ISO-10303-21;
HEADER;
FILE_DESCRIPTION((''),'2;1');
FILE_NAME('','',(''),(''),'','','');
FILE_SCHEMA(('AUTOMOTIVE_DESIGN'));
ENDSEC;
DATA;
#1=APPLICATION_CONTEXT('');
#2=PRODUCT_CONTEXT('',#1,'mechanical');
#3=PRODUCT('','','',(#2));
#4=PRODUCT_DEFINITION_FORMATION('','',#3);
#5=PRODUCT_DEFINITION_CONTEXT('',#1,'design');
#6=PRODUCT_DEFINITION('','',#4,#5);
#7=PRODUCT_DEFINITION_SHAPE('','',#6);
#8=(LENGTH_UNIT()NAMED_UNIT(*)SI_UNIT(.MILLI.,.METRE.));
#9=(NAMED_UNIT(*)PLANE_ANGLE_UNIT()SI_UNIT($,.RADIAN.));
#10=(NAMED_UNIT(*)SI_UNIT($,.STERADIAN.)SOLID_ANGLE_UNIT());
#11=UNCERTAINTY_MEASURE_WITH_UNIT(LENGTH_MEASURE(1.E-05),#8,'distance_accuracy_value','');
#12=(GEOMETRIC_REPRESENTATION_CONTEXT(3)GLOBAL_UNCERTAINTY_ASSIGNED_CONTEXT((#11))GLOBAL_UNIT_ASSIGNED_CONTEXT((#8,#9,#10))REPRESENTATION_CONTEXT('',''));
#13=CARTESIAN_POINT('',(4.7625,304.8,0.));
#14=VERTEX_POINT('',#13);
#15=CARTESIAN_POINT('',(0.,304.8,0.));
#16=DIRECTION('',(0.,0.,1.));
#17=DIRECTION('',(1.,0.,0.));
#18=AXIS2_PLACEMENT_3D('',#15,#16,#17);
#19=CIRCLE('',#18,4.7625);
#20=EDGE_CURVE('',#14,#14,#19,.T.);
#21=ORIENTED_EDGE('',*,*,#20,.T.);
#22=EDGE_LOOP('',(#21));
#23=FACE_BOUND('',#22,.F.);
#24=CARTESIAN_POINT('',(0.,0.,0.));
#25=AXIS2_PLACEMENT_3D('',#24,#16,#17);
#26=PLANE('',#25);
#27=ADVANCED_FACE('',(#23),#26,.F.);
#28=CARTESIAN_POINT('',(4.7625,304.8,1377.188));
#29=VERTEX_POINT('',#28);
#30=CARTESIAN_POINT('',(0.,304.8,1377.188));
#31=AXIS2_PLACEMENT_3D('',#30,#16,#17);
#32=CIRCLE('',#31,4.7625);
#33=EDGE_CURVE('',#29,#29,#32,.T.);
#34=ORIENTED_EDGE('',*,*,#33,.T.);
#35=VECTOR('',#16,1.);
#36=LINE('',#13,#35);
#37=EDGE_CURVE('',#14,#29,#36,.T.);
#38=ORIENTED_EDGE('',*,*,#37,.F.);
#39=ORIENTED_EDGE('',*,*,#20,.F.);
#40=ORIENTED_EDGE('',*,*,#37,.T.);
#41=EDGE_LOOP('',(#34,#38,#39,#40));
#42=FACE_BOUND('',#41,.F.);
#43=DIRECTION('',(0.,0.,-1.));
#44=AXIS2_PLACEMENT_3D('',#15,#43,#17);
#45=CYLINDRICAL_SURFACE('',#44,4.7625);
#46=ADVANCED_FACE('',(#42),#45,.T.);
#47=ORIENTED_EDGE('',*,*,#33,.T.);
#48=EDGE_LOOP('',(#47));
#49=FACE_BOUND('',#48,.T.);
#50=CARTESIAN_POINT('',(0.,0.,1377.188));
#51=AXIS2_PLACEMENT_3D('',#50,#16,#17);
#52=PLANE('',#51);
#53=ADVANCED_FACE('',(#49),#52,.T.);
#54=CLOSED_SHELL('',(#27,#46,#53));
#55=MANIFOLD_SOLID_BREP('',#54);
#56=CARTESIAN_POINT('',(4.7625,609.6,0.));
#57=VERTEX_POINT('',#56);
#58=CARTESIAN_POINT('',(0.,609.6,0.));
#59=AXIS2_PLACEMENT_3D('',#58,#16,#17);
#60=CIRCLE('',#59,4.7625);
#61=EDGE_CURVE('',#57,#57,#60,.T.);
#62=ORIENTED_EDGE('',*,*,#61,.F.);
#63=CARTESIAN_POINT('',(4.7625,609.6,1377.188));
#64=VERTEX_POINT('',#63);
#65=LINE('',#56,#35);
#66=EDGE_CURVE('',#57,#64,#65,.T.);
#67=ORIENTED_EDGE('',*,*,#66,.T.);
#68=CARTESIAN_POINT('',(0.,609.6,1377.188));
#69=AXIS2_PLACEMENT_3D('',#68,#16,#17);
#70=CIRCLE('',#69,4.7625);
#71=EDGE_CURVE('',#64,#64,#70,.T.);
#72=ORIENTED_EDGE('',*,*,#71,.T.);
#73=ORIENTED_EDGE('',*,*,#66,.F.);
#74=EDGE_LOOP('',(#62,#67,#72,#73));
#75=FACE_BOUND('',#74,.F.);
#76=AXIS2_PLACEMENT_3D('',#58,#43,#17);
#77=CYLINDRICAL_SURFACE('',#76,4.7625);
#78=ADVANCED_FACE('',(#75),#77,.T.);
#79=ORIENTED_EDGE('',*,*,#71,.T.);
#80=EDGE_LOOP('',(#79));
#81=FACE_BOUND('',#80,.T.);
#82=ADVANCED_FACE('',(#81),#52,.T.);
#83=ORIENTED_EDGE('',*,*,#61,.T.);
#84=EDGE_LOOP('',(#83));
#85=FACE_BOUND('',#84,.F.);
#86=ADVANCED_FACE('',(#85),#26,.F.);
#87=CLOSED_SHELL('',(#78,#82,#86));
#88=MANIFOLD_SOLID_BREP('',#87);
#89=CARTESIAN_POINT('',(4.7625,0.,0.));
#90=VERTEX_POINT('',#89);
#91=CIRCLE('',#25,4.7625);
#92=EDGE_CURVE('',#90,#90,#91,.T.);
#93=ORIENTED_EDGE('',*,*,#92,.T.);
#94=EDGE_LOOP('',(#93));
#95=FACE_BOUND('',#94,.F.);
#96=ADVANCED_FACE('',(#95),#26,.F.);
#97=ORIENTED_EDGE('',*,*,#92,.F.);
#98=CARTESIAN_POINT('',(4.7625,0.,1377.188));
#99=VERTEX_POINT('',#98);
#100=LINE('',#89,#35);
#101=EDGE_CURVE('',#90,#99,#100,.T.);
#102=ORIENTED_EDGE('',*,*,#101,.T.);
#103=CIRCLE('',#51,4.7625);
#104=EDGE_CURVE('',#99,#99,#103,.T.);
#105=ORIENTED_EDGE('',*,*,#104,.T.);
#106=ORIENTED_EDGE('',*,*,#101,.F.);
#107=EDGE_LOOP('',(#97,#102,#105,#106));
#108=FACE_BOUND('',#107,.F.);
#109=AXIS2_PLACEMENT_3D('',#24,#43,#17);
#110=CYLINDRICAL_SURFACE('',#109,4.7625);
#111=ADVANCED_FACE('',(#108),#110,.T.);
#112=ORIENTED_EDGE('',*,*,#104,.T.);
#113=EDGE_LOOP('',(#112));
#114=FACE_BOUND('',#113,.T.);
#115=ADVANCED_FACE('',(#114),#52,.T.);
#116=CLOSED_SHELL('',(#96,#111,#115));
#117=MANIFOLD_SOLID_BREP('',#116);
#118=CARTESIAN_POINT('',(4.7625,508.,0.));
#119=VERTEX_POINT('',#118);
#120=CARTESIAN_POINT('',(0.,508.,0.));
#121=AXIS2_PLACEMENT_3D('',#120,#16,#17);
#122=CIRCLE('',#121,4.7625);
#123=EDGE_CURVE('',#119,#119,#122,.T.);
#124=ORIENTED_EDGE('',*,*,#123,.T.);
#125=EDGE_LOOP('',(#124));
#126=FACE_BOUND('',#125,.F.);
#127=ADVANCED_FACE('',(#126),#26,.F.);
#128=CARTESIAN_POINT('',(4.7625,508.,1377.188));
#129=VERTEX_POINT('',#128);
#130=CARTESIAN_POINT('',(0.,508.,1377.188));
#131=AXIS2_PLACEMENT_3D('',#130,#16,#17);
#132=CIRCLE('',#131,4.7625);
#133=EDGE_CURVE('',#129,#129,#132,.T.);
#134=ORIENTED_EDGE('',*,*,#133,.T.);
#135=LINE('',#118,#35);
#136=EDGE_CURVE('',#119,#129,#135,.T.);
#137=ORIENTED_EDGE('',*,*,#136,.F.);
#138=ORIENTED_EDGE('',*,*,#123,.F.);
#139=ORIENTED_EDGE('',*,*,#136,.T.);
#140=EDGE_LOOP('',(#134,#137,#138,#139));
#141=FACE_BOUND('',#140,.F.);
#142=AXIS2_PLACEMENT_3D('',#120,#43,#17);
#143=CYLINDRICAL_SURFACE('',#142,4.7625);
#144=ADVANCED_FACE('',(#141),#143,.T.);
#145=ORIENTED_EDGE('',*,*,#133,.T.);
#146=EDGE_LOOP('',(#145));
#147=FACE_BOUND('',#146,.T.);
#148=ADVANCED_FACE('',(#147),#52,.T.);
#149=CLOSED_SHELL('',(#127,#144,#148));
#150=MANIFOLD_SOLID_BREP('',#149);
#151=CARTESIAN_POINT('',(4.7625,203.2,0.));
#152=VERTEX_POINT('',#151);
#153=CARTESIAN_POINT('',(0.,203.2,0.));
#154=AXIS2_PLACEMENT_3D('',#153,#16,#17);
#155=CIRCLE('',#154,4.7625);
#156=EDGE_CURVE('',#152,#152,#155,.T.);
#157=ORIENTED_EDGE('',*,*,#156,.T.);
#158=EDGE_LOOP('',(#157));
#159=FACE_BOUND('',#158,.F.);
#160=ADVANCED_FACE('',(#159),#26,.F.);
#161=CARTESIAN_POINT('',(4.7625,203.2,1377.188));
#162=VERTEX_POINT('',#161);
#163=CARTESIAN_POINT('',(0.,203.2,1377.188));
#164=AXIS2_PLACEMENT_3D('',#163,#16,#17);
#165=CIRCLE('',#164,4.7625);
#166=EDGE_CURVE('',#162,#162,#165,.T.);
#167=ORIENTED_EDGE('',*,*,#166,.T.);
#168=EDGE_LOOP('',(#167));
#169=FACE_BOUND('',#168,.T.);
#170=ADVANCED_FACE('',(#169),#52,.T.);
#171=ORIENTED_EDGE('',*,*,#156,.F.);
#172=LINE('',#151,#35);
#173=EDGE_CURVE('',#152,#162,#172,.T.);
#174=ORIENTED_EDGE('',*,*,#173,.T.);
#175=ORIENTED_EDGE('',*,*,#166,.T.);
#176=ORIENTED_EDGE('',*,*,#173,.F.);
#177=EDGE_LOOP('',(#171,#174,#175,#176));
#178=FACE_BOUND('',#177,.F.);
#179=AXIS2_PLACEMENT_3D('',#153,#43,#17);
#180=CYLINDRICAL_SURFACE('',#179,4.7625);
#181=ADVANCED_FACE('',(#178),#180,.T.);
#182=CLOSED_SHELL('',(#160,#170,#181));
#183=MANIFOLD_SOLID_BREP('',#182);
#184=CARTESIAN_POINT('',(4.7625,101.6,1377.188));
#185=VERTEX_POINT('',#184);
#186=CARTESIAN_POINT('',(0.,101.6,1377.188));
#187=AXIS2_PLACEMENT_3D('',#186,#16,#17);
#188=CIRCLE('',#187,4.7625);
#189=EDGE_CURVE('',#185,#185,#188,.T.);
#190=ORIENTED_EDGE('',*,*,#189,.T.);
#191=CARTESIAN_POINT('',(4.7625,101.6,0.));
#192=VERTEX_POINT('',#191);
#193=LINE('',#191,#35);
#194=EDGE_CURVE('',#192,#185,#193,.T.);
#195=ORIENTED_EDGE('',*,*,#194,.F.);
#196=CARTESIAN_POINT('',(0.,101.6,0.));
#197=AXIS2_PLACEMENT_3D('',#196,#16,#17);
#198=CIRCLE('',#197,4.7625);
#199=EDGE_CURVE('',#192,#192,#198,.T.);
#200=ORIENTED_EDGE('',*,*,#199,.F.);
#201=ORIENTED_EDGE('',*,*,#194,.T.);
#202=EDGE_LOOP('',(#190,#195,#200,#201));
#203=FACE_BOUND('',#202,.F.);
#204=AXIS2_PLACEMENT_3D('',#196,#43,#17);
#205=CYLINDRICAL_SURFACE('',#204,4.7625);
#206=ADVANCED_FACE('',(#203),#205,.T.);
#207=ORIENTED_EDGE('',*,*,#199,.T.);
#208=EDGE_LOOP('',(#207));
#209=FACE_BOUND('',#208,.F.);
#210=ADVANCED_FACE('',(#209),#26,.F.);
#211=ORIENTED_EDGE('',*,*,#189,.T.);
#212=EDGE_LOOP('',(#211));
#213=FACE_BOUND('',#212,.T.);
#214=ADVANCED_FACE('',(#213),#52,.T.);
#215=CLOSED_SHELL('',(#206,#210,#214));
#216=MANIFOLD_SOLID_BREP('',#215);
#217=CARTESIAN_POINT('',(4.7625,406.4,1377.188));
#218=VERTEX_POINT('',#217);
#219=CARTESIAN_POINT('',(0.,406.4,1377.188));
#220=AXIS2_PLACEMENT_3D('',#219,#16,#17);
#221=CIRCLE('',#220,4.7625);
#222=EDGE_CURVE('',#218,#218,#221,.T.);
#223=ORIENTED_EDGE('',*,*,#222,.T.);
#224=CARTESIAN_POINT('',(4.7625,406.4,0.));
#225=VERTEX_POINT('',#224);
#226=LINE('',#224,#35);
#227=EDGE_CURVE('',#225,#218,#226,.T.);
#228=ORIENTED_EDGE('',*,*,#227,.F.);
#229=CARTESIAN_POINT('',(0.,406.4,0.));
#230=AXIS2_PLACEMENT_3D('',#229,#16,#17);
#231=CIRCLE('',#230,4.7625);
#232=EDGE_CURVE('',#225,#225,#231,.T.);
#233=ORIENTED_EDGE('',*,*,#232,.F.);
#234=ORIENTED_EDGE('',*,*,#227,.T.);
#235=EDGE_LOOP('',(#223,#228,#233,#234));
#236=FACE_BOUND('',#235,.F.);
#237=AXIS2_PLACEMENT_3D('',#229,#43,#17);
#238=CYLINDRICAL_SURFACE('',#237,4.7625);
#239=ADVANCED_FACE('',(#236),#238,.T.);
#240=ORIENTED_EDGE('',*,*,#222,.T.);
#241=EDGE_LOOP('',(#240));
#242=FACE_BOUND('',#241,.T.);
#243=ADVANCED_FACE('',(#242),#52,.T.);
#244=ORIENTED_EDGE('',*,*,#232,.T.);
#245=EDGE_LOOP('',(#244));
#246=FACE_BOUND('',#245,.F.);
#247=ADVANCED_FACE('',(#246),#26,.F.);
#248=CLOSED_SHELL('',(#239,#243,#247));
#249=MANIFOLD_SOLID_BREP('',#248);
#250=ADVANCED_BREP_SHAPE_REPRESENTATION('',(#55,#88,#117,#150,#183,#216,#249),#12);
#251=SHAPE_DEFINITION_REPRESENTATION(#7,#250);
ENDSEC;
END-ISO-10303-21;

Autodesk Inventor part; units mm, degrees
ref_plane "YZ Plane" through (0, 0, 0) normal (1, 0, 0) x (0, 1, 0)
ref_plane "XZ Plane" through (0, 0, 0) normal (0, 1, 0) x (-1, 0, 0)
ref_plane "XY Plane" through (0, 0, 0) normal (0, 0, 1) x (1, 0, 0)
sketch "Sketch1" plane through (0, 0, 0) normal (0, 0, 1) x (1, 0, 0)
  circle A0 centre (0, 0) radius 4.7625
  circle A1 centre (0, 101.6) radius 4.7625
  circle A2 centre (0, 203.2) radius 4.7625
  circle A3 centre (0, 304.8) radius 4.7625
  circle A4 centre (0, 406.4) radius 4.7625
  circle A5 centre (0, 508) radius 4.7625
  circle A6 centre (0, 609.6) radius 4.7625
  dimension "d0" = 9.525
  dimension "d3" = 101.6
  dimension "d4" = 101.6
  dimension "d5" = 101.6
  dimension "d6" = 101.6
  dimension "d7" = 101.6
  dimension "d10" = 101.6
extrude "Extrusion2" add sketch "Sketch1" along normal blind 1377.188
properties part number "Left Cable" material "Steel, Wrought"
